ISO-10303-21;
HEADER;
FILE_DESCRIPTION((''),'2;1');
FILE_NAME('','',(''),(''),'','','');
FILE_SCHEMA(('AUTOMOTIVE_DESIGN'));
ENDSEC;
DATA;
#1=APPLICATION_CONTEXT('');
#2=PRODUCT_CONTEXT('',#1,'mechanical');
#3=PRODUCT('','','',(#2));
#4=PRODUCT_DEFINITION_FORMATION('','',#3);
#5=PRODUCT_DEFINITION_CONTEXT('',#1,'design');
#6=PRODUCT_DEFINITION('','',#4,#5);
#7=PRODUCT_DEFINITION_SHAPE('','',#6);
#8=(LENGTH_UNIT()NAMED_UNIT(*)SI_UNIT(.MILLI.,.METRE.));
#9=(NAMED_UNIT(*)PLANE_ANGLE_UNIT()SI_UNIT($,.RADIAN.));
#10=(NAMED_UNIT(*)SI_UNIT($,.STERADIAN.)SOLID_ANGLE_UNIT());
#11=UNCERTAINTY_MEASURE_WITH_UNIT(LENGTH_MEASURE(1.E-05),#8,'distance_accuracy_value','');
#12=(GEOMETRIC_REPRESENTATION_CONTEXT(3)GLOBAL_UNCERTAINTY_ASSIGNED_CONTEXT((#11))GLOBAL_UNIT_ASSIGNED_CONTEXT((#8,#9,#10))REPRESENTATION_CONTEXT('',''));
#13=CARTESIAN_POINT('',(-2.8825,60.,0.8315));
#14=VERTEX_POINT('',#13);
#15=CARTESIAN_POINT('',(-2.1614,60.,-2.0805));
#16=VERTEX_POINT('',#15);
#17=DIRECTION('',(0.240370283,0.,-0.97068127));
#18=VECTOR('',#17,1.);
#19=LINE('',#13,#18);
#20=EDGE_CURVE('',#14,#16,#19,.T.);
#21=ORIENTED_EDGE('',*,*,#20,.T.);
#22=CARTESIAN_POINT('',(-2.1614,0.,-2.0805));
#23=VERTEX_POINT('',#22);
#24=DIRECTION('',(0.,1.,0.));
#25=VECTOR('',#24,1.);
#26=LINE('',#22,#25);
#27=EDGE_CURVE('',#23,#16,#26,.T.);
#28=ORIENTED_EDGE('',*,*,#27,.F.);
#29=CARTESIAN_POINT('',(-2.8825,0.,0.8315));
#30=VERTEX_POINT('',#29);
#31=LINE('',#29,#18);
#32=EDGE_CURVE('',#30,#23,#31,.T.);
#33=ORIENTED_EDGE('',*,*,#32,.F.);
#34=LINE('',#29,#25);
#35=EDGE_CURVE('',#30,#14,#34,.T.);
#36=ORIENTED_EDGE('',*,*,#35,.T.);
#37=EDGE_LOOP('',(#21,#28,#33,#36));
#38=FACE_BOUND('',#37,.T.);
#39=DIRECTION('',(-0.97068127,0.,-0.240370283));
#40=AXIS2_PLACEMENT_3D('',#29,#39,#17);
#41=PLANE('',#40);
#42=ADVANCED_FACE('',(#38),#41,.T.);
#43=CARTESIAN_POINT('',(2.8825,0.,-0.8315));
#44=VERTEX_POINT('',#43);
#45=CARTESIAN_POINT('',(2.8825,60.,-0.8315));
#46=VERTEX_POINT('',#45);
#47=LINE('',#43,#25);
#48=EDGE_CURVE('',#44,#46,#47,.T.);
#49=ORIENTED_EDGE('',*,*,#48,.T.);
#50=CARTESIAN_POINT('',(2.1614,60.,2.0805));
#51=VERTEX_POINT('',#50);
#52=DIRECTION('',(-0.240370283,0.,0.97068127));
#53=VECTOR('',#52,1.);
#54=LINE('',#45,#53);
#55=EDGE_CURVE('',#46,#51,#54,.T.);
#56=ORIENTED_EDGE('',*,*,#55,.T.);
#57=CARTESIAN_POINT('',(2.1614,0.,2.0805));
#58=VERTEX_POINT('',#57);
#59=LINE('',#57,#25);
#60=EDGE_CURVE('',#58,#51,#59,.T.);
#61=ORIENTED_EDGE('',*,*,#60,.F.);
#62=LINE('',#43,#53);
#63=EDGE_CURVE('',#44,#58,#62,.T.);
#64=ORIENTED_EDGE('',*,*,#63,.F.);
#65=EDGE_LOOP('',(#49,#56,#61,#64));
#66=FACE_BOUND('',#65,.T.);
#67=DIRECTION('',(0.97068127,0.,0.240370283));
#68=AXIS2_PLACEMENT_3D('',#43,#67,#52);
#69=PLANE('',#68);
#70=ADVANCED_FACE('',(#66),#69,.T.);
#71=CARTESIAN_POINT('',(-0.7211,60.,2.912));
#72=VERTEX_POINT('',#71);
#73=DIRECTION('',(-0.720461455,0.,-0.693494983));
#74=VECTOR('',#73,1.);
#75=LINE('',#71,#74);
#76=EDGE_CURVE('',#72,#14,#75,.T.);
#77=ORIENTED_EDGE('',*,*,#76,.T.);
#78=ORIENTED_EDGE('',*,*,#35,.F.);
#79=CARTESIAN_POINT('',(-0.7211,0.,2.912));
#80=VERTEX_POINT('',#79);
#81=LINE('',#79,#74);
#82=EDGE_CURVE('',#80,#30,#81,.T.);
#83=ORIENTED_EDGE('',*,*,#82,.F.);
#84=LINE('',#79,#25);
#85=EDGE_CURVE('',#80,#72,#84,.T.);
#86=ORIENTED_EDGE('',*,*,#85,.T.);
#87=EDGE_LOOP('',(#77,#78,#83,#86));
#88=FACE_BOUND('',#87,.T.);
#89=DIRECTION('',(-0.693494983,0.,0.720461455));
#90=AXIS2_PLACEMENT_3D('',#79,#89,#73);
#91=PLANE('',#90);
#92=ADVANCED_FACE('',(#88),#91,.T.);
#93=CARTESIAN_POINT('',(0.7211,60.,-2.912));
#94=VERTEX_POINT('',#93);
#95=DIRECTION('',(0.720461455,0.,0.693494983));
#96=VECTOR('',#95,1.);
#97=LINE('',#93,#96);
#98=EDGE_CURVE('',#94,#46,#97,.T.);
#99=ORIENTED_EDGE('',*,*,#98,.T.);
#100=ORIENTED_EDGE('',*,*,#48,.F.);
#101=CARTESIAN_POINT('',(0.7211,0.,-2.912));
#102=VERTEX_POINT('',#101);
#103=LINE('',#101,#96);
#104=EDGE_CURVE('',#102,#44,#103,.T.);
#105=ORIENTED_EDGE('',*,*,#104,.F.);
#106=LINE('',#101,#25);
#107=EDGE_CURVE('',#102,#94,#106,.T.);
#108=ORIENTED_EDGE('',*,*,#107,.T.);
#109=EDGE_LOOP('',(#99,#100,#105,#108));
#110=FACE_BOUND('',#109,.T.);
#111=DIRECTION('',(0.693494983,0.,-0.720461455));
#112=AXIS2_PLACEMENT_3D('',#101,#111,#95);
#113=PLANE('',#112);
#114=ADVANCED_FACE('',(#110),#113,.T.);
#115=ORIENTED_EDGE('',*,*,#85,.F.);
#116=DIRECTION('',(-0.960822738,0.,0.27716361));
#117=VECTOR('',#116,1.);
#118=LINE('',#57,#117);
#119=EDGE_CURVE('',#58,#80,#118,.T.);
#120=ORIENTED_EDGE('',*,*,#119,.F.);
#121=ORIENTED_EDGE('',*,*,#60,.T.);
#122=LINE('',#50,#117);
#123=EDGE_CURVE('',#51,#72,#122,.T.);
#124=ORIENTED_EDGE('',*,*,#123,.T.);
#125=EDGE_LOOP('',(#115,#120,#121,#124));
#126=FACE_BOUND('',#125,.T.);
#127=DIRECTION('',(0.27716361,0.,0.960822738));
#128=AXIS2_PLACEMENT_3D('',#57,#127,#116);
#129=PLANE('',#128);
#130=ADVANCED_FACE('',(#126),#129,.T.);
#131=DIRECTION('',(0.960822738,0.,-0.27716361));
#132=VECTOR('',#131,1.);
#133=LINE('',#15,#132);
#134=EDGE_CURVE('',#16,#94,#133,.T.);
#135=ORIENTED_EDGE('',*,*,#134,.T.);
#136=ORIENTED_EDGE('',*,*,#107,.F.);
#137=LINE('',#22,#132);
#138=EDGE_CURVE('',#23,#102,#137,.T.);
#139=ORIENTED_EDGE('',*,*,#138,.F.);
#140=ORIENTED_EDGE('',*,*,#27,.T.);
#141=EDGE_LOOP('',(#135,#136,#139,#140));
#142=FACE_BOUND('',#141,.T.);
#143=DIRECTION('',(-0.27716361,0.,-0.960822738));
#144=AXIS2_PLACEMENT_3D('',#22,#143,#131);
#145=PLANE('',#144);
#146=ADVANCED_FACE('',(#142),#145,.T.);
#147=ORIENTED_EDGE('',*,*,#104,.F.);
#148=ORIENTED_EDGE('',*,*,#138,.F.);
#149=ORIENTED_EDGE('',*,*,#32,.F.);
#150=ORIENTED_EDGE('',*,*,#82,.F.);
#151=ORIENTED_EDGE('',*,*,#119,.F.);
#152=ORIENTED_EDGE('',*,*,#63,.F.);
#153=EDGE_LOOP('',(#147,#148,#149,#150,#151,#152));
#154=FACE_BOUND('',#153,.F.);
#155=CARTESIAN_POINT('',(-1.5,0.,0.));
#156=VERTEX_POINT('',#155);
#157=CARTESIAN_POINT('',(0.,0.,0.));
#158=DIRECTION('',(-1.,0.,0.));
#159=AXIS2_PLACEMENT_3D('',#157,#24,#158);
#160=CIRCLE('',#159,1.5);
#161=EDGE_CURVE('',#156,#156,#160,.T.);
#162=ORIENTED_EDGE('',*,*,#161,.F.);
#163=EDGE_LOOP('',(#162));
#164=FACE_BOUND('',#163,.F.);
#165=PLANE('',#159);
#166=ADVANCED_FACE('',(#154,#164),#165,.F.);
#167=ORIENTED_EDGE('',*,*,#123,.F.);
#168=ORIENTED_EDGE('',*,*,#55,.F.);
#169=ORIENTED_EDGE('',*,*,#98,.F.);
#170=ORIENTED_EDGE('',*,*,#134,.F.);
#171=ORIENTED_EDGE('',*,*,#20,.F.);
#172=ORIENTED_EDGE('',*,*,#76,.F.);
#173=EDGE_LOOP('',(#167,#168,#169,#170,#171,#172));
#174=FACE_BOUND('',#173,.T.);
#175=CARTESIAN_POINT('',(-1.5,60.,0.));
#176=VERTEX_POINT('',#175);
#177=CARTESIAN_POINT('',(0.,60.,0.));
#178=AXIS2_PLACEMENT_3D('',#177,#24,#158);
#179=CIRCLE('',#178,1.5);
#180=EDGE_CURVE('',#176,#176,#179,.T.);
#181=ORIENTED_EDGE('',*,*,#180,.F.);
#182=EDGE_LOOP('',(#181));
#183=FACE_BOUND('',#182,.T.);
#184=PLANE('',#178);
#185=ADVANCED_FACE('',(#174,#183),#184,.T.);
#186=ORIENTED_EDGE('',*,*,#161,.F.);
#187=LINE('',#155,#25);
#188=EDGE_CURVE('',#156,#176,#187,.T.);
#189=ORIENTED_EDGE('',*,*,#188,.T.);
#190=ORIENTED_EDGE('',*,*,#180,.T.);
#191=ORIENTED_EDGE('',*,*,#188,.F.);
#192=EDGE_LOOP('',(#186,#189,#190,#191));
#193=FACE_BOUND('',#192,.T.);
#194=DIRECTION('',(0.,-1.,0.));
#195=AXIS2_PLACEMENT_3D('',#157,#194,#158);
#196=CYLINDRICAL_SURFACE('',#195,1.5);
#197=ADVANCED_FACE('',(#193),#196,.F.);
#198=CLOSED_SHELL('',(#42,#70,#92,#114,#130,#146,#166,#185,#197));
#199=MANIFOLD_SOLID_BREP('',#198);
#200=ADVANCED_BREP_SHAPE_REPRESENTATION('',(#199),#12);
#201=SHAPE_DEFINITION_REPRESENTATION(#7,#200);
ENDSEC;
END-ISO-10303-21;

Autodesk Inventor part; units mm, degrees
ref_plane "YZ Plane" through (0, 0, 0) normal (1, 0, 0) x (0, 1, 0)
ref_plane "XZ Plane" through (0, 0, 0) normal (0, 1, 0) x (-1, 0, 0)
ref_plane "XY Plane" through (0, 0, 0) normal (0, 0, 1) x (1, 0, 0)
sketch "Sketch1" plane through (0, 0, 0) normal (0, 1, 0) x (-1, 0, 0)
  circle A0 centre (0, 0) radius 1.5
  line L0 (-0.7211, -2.912) -> (-2.8825, -0.8315)
  line L1 (-2.8825, -0.8315) -> (-2.1614, 2.0805)
  line L2 (-2.1614, 2.0805) -> (0.7211, 2.912)
  line L3 (0.7211, 2.912) -> (2.8825, 0.8315)
  line L4 (2.8825, 0.8315) -> (2.1614, -2.0805)
  line L5 (2.1614, -2.0805) -> (-0.7211, -2.912)
  dimension "d0" = 3
  dimension "d1" = 6
extrude "Extrusion1" add sketch "Sketch1" along normal blind 60
thread "Thread1" size "M3x0.5" class "6H" standard "ANSI Metric M Profile" length 10
thread "Thread2" size "M3x0.5" class "6H" standard "ANSI Metric M Profile" length 10
properties part number "Spacer60"
